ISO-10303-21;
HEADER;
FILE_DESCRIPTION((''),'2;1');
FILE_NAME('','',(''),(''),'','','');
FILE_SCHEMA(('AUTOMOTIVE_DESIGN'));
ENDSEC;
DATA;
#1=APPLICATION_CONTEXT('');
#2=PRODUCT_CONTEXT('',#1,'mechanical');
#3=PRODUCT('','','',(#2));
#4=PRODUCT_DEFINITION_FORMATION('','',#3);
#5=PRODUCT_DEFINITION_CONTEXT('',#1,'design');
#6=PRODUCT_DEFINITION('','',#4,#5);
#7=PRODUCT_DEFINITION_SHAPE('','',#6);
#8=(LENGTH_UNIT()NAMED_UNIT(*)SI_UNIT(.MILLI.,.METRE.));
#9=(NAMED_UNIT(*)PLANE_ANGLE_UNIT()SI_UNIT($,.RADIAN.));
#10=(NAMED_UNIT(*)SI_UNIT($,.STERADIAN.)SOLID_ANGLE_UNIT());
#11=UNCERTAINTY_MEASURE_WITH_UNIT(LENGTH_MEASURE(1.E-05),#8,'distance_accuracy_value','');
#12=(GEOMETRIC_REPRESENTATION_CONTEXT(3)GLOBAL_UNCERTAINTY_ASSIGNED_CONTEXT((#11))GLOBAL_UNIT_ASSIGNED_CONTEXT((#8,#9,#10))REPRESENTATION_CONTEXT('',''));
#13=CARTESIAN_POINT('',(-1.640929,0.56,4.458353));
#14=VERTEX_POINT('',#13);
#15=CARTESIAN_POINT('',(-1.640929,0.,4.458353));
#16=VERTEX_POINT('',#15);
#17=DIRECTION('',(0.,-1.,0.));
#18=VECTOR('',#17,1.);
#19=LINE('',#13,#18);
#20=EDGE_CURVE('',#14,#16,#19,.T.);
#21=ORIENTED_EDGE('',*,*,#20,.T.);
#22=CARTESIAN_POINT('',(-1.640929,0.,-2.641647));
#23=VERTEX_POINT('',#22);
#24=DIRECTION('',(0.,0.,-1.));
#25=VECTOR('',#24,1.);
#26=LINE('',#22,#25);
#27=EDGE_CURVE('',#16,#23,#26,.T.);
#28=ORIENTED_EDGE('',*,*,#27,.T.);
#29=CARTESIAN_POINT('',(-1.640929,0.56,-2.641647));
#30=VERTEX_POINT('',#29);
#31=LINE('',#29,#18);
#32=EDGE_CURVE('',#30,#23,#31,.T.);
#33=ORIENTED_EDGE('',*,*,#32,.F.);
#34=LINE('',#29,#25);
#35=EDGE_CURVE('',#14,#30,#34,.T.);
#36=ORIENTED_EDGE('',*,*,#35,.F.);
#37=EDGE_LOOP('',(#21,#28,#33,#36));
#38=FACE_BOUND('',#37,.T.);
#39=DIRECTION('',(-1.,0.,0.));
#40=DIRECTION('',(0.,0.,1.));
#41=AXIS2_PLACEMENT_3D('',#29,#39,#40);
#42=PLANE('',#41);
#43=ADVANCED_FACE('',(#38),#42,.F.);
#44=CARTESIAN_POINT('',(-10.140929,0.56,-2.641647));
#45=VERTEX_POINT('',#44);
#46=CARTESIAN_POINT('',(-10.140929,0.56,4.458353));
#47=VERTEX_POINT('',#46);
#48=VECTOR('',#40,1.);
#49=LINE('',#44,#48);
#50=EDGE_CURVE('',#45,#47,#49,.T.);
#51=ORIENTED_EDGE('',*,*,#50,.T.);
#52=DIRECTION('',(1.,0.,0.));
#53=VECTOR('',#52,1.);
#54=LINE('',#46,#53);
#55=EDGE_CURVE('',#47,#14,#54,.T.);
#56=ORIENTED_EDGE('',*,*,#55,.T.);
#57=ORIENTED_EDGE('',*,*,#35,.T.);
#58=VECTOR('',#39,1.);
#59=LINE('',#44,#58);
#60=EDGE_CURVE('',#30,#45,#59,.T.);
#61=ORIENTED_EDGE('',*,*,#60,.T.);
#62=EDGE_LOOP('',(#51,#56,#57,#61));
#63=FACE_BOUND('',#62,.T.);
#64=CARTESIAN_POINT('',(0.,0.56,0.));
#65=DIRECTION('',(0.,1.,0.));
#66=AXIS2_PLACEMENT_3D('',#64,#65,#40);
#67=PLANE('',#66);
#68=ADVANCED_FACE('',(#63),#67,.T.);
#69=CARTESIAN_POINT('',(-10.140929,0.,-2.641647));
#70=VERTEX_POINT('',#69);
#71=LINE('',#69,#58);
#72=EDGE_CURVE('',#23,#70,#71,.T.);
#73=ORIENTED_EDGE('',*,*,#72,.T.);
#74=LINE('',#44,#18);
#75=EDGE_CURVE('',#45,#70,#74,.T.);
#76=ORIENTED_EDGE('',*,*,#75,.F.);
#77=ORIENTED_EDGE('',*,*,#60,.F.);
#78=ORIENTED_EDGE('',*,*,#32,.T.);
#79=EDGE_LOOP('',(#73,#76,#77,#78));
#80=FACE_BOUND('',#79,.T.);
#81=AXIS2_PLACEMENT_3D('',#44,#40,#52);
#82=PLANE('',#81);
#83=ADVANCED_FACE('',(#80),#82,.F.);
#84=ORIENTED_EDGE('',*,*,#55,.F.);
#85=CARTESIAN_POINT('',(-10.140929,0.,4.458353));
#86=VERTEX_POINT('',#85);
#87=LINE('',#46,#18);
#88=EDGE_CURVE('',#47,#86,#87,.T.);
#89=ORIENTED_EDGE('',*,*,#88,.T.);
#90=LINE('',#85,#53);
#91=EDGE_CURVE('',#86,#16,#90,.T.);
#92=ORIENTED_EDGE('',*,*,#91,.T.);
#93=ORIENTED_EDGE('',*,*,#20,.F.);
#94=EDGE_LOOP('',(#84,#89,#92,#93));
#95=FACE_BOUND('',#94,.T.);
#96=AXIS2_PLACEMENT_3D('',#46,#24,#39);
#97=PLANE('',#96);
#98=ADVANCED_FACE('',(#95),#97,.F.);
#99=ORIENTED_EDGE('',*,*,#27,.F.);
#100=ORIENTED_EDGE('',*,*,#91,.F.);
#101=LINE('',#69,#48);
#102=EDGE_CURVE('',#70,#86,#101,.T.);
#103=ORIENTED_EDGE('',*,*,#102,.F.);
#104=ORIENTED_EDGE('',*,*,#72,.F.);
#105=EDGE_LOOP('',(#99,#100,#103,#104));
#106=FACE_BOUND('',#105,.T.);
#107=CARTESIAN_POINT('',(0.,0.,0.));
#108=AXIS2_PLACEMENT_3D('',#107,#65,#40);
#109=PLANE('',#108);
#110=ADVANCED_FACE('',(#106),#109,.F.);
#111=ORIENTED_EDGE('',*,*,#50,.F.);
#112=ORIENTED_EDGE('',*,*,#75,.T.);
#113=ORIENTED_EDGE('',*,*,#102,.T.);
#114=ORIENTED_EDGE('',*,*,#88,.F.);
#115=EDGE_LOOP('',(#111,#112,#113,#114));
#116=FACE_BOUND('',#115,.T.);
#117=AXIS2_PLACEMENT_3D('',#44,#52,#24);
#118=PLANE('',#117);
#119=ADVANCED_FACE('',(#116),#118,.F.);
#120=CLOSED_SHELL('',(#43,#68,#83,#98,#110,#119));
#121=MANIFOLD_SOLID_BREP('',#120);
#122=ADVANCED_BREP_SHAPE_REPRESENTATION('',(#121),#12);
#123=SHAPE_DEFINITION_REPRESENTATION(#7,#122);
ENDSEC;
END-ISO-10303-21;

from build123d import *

# Parameters (mm, degrees)
SKETCH2_W           = 8.5
SKETCH2_H           = 7.1
BOSS_EXTRUDE1_DEPTH = 0.56


with BuildPart() as part:
    # Sketch2 → Boss-Extrude1 (new body)
    with BuildSketch(Plane(origin=(0, 0, 0), x_dir=(1, 0, 0), z_dir=(0, 1, 0))):
        with Locations((-5.890928619, -0.908352949)):
            Rectangle(SKETCH2_W, SKETCH2_H)
    extrude(amount=BOSS_EXTRUDE1_DEPTH)


solid = part.part
